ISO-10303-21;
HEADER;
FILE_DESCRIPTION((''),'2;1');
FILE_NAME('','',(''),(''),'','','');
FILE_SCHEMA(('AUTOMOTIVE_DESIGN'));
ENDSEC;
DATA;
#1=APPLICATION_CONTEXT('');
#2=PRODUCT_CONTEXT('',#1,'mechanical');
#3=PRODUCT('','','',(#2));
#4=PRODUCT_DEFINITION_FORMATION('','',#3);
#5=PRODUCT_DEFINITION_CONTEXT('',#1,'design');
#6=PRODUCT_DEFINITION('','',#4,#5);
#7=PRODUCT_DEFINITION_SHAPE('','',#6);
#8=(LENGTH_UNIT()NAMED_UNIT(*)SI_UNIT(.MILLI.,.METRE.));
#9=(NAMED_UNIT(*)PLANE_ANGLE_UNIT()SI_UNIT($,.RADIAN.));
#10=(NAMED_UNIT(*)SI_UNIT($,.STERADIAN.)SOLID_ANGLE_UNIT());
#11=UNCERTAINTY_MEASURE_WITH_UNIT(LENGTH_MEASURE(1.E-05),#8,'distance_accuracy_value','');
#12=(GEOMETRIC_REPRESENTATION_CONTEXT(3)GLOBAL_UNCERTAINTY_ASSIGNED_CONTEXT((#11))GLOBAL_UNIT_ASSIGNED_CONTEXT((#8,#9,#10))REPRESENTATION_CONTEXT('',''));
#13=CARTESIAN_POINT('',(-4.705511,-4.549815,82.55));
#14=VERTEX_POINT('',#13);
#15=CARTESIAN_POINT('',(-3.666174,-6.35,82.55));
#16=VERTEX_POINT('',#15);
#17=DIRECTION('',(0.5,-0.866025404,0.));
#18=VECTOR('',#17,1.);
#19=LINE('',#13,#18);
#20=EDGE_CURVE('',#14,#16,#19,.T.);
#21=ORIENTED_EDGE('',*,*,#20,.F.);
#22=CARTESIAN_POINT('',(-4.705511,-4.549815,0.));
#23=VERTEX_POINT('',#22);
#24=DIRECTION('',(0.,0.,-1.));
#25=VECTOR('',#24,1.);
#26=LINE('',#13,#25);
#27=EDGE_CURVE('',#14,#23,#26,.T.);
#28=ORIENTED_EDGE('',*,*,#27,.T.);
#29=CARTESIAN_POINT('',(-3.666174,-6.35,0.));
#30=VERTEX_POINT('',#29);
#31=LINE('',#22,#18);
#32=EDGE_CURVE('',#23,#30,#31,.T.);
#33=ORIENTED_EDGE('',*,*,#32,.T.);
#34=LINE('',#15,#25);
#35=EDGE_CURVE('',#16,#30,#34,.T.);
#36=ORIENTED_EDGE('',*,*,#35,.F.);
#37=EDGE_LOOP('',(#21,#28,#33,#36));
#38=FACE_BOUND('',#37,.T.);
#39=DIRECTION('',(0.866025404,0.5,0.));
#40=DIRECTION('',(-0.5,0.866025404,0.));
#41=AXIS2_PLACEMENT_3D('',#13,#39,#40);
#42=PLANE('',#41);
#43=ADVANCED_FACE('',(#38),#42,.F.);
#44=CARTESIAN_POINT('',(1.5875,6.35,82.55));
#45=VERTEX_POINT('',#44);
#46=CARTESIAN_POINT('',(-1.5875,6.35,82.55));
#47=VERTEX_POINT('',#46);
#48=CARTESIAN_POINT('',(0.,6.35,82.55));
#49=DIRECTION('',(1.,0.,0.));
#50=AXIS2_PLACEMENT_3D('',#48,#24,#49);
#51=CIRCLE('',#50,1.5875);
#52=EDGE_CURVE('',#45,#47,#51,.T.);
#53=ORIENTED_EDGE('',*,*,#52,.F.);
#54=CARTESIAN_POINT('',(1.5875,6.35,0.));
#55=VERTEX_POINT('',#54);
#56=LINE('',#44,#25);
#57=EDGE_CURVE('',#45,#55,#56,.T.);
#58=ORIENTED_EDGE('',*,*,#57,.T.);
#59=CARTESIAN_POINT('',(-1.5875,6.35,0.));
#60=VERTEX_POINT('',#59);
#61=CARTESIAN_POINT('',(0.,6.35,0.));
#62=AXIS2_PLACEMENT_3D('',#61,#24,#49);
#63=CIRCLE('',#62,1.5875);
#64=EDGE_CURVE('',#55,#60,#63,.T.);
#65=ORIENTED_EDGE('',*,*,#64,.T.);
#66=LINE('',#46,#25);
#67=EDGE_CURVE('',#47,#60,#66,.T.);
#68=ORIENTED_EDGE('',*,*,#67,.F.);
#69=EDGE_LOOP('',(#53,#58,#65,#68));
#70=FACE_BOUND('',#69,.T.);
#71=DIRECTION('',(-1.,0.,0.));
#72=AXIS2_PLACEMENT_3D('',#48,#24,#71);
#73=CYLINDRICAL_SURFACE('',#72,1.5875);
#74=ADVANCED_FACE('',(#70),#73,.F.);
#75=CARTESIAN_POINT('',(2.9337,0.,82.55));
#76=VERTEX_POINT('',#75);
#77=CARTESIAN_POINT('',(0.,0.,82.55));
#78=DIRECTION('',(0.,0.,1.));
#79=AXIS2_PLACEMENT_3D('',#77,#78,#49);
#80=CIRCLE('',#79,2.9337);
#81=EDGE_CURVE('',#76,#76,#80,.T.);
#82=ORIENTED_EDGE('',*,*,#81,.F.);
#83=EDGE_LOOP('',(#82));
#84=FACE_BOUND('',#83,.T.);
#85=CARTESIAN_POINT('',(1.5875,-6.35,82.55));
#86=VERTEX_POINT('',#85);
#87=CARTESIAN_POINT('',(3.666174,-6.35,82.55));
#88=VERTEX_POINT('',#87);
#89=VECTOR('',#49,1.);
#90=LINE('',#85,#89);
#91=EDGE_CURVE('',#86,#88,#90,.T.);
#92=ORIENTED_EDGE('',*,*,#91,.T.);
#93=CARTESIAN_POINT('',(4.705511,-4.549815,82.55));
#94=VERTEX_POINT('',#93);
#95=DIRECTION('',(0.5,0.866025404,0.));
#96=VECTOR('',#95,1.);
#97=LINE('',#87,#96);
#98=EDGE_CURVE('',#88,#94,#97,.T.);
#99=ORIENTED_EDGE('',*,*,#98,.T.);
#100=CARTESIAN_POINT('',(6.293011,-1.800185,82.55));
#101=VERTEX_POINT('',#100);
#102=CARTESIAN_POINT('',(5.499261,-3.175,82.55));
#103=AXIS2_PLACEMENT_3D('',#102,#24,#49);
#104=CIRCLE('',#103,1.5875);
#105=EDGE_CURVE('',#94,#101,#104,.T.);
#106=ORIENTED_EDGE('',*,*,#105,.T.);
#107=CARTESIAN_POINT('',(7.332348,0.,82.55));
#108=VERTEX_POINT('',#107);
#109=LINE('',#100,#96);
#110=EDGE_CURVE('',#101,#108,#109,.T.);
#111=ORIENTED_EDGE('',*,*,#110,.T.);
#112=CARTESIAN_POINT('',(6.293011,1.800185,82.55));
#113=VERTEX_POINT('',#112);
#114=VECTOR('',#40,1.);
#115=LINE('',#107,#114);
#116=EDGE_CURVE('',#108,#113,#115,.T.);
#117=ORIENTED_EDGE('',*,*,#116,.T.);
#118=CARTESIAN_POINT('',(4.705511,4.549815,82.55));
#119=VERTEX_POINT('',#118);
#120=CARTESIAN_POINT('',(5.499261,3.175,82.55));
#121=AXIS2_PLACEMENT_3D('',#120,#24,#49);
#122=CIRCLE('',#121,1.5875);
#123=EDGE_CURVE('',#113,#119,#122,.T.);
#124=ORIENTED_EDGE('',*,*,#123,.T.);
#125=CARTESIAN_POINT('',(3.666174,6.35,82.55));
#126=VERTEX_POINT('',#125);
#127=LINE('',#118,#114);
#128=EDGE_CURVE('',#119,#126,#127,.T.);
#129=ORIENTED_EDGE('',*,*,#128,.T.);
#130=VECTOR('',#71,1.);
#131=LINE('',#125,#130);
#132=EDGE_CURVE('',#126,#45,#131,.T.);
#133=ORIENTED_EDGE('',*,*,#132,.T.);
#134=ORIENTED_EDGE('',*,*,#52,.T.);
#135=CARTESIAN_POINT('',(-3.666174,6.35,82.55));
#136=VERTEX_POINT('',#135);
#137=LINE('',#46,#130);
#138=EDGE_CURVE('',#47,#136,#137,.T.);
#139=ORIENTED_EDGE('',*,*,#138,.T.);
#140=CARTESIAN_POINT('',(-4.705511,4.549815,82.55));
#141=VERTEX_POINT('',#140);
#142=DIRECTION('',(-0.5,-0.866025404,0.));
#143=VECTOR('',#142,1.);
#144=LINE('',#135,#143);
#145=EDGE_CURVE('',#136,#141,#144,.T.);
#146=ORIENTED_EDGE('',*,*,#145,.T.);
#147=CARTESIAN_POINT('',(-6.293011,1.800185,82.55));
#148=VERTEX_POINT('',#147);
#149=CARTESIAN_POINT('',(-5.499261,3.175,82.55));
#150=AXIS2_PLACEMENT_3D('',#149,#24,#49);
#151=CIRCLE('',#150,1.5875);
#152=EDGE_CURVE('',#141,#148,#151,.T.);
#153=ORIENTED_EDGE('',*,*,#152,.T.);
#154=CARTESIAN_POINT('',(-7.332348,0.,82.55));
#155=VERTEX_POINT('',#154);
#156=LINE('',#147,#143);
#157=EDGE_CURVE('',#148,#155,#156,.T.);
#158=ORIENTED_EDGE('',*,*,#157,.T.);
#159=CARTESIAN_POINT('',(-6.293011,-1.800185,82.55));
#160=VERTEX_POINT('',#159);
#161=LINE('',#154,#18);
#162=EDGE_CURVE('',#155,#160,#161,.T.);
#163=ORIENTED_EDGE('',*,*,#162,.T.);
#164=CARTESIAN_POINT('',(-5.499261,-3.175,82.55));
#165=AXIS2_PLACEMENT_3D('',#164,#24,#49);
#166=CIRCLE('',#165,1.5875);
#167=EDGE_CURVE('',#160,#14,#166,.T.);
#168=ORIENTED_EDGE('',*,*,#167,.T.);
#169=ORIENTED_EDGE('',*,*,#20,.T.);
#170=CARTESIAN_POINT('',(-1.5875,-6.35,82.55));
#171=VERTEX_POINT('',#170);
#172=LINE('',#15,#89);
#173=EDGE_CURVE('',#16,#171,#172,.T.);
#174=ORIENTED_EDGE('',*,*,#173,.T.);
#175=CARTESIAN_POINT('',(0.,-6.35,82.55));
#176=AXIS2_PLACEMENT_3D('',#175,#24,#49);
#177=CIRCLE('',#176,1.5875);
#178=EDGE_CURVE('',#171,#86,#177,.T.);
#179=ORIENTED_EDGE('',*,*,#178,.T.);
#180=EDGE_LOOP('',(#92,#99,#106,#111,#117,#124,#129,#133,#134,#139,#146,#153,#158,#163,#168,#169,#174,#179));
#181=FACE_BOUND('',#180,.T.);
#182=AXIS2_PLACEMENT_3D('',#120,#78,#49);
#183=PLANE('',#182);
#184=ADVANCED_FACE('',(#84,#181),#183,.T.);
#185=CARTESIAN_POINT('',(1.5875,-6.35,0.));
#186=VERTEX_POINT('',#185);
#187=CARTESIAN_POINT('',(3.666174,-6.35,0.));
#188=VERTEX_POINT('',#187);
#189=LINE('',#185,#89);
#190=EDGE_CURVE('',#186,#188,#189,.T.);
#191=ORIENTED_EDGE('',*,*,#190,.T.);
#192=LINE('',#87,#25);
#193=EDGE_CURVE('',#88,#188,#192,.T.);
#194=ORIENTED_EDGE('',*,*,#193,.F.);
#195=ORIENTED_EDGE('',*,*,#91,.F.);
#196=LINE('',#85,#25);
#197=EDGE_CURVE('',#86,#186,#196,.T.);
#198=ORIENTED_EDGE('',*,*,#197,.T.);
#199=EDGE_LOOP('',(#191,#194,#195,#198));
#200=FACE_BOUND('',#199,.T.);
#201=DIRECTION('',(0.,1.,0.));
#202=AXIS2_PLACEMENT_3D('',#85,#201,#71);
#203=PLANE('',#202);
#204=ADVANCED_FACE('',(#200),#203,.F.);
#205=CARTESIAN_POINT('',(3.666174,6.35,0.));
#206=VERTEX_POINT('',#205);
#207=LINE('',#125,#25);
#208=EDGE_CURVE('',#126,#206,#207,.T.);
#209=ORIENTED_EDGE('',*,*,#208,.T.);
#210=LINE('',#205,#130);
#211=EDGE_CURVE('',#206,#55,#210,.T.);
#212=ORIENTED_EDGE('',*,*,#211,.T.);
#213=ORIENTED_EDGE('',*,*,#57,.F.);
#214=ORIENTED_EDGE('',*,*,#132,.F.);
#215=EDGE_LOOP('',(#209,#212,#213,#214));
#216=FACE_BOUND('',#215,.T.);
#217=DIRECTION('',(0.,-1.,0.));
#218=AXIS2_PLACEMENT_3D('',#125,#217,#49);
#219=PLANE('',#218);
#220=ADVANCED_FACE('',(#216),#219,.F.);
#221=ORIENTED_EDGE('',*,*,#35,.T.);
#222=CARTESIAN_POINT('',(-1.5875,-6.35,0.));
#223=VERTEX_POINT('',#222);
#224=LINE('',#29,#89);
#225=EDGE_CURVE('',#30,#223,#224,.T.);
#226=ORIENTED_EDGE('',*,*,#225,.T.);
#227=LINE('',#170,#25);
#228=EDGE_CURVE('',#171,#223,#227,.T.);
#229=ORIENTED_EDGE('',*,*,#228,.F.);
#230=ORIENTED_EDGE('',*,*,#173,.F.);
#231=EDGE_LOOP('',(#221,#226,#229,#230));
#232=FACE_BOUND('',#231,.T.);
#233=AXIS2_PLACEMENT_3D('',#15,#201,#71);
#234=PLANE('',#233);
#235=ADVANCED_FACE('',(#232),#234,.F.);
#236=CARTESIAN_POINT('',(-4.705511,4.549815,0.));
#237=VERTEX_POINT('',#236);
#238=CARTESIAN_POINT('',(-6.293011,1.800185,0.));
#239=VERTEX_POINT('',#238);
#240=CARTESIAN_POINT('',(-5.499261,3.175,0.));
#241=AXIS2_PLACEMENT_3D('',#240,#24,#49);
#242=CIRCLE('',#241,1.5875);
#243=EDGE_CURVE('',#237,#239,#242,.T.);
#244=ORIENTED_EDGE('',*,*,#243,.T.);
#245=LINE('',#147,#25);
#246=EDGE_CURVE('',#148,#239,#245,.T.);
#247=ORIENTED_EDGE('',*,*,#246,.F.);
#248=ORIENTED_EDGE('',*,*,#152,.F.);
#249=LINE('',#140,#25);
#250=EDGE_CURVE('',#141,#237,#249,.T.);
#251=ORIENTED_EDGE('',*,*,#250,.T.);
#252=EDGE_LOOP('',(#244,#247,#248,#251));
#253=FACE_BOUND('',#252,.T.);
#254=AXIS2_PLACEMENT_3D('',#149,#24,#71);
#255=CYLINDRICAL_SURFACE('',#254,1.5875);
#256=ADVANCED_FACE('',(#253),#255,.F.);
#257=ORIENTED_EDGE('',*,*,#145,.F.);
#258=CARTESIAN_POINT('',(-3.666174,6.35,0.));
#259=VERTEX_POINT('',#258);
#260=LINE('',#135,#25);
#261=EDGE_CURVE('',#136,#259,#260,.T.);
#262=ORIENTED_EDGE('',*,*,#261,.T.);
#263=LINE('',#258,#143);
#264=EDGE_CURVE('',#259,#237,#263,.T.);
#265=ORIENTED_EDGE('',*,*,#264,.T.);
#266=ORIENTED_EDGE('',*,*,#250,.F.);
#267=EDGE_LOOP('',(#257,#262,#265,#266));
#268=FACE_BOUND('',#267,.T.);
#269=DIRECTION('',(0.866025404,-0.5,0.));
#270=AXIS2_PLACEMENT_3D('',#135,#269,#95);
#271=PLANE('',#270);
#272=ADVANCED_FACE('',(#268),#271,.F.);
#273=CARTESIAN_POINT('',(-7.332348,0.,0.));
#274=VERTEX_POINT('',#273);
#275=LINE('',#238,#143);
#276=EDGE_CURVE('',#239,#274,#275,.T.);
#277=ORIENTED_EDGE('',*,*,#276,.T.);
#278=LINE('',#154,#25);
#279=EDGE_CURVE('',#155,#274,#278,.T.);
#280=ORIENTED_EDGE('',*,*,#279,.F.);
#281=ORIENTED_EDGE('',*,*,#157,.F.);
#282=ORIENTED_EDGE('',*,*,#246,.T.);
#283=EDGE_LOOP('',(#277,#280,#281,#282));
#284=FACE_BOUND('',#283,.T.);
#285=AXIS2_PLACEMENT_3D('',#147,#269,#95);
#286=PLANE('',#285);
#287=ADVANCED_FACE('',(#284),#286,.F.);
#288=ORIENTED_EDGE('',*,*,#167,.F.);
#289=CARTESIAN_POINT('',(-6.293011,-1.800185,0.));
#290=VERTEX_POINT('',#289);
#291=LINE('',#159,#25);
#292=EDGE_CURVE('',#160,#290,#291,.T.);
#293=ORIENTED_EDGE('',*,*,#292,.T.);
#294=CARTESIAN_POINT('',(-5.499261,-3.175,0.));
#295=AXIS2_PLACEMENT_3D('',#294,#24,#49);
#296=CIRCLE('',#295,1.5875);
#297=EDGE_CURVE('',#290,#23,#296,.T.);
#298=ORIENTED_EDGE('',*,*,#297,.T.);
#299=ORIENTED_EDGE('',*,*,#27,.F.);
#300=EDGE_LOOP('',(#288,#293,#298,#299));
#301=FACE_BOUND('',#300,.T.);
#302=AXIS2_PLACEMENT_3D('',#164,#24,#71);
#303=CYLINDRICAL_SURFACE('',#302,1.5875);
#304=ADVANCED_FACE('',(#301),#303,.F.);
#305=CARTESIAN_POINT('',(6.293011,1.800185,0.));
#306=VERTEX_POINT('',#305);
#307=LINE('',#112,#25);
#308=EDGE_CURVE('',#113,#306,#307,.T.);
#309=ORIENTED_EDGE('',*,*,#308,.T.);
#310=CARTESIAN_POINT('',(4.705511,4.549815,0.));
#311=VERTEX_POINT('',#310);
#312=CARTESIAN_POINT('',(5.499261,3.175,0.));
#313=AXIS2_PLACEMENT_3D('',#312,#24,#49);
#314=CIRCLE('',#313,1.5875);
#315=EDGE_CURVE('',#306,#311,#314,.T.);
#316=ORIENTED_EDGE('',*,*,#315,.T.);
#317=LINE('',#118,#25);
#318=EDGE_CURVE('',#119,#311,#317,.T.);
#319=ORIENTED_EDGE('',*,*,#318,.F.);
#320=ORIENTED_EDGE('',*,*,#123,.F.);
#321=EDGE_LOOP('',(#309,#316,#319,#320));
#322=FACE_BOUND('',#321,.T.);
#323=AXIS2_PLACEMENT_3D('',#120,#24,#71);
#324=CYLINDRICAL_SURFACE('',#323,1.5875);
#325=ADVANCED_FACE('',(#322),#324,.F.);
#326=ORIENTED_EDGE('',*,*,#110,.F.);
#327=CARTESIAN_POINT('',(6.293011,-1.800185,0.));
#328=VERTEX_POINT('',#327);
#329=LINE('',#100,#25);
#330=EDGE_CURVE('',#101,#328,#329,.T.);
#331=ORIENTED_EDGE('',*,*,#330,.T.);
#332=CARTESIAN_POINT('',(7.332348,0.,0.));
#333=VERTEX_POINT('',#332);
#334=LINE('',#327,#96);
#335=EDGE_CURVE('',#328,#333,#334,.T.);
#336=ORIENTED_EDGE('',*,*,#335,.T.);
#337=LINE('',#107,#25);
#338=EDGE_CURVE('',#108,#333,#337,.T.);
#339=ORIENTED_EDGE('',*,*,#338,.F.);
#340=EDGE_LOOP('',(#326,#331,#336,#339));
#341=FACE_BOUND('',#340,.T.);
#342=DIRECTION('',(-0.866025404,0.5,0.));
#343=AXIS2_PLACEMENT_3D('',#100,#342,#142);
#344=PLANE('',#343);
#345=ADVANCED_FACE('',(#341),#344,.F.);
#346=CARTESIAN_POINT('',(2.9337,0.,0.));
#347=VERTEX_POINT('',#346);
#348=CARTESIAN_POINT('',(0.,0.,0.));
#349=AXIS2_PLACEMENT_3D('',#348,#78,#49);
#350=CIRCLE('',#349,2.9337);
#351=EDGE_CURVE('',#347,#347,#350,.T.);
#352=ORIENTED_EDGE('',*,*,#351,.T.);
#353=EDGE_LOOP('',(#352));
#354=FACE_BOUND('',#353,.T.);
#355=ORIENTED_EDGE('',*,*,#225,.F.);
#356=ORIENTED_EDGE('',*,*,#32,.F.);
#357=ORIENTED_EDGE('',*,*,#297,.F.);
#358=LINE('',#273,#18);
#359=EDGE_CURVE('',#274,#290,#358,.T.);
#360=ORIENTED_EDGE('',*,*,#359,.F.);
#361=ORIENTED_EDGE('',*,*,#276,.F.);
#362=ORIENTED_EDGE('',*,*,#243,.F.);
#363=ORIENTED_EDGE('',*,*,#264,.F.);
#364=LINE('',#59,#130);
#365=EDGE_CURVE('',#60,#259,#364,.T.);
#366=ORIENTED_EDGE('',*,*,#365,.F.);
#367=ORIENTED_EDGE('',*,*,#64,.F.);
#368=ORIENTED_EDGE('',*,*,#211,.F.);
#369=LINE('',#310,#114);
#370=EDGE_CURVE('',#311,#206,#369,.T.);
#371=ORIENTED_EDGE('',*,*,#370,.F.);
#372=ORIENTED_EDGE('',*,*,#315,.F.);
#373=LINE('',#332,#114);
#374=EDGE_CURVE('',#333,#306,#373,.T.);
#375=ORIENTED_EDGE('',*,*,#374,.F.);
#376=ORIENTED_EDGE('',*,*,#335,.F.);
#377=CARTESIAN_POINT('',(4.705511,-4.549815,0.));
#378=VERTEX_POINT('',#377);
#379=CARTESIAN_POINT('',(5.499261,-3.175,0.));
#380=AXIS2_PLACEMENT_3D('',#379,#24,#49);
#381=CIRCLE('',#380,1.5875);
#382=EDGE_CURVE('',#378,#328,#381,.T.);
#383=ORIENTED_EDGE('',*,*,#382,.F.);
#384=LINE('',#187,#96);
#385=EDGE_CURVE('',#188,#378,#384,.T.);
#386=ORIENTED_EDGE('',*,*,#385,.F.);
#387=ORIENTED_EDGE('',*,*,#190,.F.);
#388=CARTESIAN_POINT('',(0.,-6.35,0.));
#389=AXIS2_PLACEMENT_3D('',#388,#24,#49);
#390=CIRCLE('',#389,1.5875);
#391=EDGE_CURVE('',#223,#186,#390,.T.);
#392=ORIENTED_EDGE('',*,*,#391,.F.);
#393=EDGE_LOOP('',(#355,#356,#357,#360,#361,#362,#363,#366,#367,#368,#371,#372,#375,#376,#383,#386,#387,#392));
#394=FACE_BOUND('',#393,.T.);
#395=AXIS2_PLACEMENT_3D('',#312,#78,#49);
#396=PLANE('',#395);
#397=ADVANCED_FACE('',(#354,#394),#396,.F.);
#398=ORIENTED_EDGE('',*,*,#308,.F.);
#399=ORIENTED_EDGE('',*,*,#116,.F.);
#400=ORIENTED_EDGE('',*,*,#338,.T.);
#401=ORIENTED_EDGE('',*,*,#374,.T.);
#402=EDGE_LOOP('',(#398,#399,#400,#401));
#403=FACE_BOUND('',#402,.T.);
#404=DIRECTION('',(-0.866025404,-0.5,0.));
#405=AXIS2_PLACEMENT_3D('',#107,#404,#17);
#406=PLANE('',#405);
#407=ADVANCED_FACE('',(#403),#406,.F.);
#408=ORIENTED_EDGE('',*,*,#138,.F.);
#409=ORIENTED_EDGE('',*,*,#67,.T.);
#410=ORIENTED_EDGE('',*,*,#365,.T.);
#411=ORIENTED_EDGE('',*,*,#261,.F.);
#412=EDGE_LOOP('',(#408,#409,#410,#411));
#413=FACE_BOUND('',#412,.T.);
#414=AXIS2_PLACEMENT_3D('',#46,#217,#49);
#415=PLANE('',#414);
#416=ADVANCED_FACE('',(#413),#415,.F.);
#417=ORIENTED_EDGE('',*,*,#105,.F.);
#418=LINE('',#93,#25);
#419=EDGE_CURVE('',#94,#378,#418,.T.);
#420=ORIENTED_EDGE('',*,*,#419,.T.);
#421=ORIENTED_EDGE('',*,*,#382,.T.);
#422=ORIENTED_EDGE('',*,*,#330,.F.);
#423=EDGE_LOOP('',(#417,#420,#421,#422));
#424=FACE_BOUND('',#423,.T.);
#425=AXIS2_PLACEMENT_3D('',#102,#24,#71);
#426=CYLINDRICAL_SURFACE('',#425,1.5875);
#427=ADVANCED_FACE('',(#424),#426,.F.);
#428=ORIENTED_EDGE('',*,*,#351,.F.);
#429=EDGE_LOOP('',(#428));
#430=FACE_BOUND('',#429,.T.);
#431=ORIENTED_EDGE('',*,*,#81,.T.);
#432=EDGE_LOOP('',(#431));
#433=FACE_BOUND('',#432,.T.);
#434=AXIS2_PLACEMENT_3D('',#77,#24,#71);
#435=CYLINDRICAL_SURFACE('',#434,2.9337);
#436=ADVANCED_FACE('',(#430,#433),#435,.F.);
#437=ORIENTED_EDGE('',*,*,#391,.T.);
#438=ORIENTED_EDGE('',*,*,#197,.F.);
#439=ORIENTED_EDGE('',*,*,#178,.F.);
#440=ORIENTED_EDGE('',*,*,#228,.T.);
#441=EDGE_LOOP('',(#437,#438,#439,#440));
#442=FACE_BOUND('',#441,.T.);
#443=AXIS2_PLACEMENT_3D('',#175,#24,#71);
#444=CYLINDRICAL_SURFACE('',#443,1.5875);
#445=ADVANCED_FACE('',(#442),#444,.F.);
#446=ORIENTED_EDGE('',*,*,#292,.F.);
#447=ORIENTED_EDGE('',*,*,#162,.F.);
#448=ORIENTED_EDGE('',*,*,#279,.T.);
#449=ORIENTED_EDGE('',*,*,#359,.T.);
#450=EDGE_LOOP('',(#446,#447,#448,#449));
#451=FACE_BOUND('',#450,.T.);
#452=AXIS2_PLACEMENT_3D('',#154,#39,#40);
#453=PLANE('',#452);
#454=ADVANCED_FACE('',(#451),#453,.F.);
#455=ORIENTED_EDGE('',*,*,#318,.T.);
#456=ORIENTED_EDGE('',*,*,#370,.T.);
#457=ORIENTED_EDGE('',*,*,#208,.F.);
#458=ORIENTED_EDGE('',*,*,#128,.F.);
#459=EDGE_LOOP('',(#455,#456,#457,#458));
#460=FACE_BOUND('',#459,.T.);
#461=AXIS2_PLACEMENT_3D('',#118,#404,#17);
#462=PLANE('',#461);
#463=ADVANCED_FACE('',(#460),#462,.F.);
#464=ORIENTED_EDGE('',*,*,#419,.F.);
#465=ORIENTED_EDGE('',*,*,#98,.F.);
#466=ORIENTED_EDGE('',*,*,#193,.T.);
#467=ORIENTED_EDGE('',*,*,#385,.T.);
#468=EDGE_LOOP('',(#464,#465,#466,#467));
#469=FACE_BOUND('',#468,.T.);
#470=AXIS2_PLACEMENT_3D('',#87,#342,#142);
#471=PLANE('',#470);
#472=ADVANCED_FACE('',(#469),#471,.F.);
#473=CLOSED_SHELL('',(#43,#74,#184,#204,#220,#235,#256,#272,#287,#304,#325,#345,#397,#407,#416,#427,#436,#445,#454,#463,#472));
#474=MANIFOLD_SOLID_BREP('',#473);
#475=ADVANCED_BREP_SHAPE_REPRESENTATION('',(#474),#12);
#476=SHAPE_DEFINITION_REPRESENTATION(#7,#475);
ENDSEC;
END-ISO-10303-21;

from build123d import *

# Parameters (mm, degrees)
SKETCH1_R           = 2.9337
BOSS_EXTRUDE1_DEPTH = 82.55


with BuildPart() as part:
    # Sketch1 → Boss-Extrude1 (new body)
    with BuildSketch(Plane.XY):
        with BuildLine():
            Line((-4.705511314, -4.549815329), (-3.666174209, -6.35))
            Line((-3.666174209, -6.35), (-1.5875, -6.35))
            ThreePointArc((-1.5875, -6.35), (0, -4.7625), (1.5875, -6.35))
            Line((1.5875, -6.35), (3.666174209, -6.35))
            Line((3.666174209, -6.35), (4.705511314, -4.549815329))
            ThreePointArc((4.705511314, -4.549815329), (4.124445986, -2.38125), (6.293011314, -1.800184671))
            Line((6.293011314, -1.800184671), (7.332348419, 0))
            Line((7.332348419, 0), (6.293011314, 1.800184671))
            ThreePointArc((6.293011314, 1.800184671), (4.124445986, 2.38125), (4.705511314, 4.549815329))
            Line((4.705511314, 4.549815329), (3.666174209, 6.35))
            Line((3.666174209, 6.35), (1.5875, 6.35))
            ThreePointArc((1.5875, 6.35), (0, 4.7625), (-1.5875, 6.35))
            Line((-1.5875, 6.35), (-3.666174209, 6.35))
            Line((-3.666174209, 6.35), (-4.705511314, 4.549815329))
            ThreePointArc((-4.705511314, 4.549815329), (-4.124445986, 2.38125), (-6.293011314, 1.800184671))
            Line((-6.293011314, 1.800184671), (-7.332348419, 0))
            Line((-7.332348419, 0), (-6.293011314, -1.800184671))
            ThreePointArc((-6.293011314, -1.800184671), (-4.124445986, -2.38125), (-4.705511314, -4.549815329))
        make_face()
        Circle(SKETCH1_R, mode=Mode.SUBTRACT)
    extrude(amount=BOSS_EXTRUDE1_DEPTH)


solid = part.part
